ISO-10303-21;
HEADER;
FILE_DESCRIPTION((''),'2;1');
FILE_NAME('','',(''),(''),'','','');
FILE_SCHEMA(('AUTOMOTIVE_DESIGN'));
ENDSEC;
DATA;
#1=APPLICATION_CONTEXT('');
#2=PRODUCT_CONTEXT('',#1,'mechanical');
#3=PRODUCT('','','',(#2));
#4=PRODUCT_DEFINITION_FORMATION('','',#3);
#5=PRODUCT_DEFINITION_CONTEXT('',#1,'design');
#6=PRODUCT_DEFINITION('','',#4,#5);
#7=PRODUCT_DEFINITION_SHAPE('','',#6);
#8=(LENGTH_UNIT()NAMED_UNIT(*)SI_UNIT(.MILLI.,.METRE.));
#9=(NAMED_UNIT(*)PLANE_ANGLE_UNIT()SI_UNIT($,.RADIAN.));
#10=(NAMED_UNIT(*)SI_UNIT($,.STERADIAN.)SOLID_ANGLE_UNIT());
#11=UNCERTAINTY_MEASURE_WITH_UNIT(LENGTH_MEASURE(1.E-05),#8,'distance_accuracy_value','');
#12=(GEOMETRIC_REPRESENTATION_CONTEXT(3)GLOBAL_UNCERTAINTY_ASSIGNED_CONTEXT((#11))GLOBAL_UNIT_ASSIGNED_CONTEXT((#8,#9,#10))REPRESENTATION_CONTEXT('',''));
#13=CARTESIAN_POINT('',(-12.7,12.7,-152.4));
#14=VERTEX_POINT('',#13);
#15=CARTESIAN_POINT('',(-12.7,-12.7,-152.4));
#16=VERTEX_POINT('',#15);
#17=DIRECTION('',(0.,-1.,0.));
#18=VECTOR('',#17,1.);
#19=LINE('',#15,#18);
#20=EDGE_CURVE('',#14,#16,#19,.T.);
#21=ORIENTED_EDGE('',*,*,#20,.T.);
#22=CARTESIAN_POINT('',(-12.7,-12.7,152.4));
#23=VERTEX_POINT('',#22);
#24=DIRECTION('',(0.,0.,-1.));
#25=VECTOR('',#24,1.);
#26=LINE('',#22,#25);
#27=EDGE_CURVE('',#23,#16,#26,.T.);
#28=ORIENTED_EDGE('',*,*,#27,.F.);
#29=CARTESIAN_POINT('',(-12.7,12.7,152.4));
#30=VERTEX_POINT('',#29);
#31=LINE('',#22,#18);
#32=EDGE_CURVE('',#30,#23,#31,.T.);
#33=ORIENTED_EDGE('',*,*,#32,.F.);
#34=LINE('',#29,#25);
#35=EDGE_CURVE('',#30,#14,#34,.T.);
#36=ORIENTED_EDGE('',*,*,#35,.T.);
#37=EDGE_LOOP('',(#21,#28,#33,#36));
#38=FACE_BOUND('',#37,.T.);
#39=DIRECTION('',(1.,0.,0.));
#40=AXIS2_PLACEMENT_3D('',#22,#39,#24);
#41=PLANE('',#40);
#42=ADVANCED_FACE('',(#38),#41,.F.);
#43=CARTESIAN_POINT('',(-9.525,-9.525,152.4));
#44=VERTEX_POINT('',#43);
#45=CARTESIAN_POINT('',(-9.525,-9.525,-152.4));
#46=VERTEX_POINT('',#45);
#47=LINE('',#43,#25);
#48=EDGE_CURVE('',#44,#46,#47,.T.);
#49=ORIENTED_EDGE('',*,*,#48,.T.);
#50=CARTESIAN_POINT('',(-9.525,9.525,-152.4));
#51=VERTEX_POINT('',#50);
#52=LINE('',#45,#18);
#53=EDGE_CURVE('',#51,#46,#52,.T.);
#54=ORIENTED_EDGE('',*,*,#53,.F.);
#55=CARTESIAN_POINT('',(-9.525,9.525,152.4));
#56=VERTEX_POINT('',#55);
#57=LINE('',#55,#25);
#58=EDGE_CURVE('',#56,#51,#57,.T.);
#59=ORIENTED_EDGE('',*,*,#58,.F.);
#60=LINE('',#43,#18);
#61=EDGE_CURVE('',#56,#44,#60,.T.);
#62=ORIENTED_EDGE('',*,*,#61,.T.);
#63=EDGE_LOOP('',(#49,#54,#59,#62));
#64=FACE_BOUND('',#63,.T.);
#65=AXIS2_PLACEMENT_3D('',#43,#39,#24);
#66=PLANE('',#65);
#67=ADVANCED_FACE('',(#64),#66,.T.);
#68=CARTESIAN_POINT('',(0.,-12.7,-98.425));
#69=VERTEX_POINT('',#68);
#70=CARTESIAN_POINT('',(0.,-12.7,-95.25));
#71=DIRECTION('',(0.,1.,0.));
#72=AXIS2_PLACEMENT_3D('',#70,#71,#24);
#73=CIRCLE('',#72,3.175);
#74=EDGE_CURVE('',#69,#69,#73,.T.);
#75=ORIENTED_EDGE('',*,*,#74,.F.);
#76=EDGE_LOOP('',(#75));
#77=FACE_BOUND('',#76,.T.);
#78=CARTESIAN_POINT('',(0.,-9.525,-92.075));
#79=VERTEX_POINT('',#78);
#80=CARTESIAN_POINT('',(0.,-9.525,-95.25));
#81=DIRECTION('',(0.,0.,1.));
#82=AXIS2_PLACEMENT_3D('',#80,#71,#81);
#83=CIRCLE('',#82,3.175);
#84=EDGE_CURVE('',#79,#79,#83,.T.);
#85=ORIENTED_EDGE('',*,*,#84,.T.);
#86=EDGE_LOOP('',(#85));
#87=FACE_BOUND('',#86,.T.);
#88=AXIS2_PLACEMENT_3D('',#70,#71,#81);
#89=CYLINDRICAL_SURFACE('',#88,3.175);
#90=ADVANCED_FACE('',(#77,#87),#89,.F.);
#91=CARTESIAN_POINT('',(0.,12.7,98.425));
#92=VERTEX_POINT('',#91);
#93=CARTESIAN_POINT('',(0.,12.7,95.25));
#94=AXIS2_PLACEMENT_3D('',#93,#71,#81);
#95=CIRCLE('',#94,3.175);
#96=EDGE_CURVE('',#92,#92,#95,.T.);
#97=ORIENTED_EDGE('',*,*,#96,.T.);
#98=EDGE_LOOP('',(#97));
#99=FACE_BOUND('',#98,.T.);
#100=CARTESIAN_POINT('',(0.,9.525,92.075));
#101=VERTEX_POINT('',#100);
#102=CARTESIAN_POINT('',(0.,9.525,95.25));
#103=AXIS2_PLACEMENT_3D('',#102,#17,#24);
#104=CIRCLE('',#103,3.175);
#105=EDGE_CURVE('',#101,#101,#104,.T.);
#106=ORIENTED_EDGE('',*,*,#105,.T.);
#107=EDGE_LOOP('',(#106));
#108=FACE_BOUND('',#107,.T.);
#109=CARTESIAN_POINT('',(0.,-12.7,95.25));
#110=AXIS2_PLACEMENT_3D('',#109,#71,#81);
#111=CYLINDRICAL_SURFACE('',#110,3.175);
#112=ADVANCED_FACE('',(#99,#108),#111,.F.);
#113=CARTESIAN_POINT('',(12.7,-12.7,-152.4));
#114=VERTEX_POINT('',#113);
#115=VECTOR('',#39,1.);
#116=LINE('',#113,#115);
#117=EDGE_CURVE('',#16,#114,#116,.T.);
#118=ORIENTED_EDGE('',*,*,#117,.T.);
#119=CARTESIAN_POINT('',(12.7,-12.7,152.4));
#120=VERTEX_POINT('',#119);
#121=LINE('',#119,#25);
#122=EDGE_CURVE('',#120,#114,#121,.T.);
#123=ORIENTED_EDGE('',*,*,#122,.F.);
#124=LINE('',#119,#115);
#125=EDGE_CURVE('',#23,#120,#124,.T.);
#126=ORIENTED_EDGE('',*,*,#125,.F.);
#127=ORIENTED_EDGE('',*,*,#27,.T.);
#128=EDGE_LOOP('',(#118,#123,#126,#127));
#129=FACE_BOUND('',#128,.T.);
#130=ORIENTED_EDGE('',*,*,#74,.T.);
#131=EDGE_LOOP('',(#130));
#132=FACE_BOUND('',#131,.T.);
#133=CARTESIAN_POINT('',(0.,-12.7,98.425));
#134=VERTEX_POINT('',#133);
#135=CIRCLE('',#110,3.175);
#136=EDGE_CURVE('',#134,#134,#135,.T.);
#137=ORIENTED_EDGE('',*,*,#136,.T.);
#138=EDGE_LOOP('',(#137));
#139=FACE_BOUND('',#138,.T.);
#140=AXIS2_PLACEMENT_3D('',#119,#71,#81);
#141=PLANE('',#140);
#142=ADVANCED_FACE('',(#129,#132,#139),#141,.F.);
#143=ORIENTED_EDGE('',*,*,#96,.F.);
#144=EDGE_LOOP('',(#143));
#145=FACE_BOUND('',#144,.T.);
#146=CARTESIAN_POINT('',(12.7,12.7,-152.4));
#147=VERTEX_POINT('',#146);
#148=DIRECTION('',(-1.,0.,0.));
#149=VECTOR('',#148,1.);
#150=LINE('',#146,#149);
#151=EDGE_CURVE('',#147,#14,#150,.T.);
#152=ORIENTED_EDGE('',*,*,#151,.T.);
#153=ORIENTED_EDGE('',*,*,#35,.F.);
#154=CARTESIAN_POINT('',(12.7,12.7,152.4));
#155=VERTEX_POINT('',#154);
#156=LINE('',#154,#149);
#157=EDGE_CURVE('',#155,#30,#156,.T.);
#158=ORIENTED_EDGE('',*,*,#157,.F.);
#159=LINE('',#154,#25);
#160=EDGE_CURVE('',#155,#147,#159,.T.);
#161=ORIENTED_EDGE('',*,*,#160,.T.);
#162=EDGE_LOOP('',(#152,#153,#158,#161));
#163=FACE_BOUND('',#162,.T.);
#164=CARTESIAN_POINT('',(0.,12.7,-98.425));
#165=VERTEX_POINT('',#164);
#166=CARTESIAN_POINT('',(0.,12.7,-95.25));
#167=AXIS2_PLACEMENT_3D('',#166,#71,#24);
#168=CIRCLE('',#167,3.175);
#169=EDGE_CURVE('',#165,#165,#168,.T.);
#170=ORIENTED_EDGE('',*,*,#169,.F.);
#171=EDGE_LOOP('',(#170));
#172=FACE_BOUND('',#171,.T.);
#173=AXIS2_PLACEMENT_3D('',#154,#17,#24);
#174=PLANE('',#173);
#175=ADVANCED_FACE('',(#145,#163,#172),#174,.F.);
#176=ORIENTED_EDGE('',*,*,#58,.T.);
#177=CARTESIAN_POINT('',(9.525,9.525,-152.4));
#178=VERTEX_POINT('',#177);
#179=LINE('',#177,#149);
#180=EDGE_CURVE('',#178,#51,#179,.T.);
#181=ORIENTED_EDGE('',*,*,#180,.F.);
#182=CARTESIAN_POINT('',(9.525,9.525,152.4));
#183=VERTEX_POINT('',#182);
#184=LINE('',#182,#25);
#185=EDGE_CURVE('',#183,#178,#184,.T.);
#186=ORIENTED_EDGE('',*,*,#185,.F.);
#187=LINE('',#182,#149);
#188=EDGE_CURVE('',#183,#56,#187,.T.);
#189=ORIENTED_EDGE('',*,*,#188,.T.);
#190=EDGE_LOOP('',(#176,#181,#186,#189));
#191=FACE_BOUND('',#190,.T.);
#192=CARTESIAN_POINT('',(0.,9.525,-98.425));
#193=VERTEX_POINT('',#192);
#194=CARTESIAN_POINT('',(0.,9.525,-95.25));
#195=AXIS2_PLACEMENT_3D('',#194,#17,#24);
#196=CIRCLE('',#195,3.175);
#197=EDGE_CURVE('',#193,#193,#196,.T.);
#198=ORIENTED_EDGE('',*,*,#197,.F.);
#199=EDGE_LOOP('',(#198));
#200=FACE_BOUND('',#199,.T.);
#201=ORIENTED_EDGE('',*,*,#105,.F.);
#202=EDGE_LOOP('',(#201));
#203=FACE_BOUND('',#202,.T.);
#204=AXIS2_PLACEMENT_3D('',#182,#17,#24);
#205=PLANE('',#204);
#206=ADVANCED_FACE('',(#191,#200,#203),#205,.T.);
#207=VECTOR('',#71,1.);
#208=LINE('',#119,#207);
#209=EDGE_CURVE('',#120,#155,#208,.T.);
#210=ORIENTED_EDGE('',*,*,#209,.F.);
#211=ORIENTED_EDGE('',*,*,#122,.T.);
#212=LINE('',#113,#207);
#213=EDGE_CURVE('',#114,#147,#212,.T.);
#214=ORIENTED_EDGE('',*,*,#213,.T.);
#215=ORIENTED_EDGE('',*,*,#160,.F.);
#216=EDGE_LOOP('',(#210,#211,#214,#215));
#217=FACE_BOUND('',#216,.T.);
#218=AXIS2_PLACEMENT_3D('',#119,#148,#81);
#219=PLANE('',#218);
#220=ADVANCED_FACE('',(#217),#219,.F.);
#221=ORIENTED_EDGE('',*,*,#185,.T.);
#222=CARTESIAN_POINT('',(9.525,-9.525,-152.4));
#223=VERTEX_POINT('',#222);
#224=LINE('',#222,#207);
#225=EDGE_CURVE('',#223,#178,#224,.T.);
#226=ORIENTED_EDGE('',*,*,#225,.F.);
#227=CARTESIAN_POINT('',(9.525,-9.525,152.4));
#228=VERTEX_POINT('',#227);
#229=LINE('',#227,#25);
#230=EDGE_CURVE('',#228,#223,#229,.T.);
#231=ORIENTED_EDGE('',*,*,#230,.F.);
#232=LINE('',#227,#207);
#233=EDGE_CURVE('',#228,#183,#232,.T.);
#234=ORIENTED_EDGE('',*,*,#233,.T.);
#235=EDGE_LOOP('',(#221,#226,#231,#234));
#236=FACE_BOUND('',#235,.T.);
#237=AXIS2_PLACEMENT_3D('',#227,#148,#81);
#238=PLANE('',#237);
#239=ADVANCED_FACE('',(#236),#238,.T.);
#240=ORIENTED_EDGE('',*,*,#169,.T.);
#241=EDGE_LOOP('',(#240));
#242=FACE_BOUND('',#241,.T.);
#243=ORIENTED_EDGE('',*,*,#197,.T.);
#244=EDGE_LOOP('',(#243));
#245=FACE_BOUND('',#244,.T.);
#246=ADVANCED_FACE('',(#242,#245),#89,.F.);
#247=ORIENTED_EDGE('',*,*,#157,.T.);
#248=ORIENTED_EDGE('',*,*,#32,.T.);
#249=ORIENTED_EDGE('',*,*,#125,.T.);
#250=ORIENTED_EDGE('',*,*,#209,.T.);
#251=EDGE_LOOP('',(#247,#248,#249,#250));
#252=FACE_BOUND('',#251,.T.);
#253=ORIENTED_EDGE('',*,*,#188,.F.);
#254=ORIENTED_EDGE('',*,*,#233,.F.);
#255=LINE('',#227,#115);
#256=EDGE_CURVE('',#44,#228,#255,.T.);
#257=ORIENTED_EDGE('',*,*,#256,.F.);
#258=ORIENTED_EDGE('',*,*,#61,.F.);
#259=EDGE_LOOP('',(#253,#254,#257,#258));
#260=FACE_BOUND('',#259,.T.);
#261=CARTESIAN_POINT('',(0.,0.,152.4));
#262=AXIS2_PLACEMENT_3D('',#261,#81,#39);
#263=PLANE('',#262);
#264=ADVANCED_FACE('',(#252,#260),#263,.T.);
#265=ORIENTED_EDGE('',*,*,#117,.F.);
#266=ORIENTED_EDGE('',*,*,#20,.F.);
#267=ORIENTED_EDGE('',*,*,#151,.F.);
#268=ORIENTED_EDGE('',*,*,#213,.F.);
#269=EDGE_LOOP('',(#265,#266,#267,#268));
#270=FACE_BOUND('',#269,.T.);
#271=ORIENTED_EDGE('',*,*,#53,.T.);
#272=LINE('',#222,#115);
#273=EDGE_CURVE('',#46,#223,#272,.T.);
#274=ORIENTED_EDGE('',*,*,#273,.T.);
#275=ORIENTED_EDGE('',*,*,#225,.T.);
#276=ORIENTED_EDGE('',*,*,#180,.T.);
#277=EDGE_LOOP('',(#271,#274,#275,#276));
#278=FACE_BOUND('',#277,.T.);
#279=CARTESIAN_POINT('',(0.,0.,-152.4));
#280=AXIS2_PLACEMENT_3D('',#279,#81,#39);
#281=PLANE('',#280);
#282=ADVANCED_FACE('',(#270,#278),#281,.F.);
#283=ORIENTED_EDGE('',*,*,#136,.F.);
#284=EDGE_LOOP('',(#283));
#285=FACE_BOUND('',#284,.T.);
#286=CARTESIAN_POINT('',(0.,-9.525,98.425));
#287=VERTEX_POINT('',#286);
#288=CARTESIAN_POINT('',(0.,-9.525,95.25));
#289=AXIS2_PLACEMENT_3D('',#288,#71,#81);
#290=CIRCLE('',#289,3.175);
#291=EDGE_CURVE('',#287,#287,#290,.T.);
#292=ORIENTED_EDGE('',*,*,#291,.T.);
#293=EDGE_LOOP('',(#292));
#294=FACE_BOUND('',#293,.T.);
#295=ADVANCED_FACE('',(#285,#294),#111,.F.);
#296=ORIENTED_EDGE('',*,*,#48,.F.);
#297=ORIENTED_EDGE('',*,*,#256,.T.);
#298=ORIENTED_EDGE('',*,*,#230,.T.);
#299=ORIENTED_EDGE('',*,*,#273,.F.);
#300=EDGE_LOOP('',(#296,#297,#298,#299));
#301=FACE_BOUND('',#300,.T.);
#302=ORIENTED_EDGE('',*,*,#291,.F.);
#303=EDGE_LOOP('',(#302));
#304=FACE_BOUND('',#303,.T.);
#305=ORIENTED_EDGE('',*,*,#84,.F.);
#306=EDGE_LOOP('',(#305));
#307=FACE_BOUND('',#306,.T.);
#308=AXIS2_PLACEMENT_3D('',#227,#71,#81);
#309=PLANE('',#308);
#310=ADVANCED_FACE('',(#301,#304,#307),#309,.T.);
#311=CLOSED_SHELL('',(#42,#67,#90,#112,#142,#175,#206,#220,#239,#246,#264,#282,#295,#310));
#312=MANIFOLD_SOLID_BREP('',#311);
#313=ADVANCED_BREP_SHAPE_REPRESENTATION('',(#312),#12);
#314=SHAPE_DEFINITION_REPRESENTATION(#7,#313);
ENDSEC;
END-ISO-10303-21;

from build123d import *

# Parameters (mm, degrees)
BOSS_EXTRUDE1_DEPTH      = 152.4
BOSS_EXTRUDE1_DEPTH_BACK = 152.4
SKETCH3_W                = 25.4
SKETCH3_H                = 25.4
SKETCH3_W_2              = 19.05
SKETCH3_H_2              = 19.05
SKETCH6_R                = 3.175
CUT_EXTRUDE1_DEPTH       = 156.02325632


with BuildPart() as part:
    # Sketch3 → Boss-Extrude1 (new, two sides: drawn at the far end of the back side and taken through both)
    with BuildSketch(Plane.XY.offset(-BOSS_EXTRUDE1_DEPTH_BACK)):
        Rectangle(SKETCH3_W, SKETCH3_H)
        Rectangle(SKETCH3_W_2, SKETCH3_H_2, mode=Mode.SUBTRACT)
    extrude(amount=BOSS_EXTRUDE1_DEPTH + BOSS_EXTRUDE1_DEPTH_BACK)

    # Sketch6 → Cut-Extrude1 (cut, through all)
    with BuildSketch(Plane(origin=(0, 12.7, 0), x_dir=(1, 0, 0), z_dir=(0, 1, 0))):
        with Locations(Location((0, -95.25, 0), (0, 0, 270))):
            Circle(SKETCH6_R)
        with Locations(Location((0, 95.25, 0), (0, 0, 90))):
            Circle(SKETCH6_R)
    extrude(amount=-CUT_EXTRUDE1_DEPTH, mode=Mode.SUBTRACT)


solid = part.part
